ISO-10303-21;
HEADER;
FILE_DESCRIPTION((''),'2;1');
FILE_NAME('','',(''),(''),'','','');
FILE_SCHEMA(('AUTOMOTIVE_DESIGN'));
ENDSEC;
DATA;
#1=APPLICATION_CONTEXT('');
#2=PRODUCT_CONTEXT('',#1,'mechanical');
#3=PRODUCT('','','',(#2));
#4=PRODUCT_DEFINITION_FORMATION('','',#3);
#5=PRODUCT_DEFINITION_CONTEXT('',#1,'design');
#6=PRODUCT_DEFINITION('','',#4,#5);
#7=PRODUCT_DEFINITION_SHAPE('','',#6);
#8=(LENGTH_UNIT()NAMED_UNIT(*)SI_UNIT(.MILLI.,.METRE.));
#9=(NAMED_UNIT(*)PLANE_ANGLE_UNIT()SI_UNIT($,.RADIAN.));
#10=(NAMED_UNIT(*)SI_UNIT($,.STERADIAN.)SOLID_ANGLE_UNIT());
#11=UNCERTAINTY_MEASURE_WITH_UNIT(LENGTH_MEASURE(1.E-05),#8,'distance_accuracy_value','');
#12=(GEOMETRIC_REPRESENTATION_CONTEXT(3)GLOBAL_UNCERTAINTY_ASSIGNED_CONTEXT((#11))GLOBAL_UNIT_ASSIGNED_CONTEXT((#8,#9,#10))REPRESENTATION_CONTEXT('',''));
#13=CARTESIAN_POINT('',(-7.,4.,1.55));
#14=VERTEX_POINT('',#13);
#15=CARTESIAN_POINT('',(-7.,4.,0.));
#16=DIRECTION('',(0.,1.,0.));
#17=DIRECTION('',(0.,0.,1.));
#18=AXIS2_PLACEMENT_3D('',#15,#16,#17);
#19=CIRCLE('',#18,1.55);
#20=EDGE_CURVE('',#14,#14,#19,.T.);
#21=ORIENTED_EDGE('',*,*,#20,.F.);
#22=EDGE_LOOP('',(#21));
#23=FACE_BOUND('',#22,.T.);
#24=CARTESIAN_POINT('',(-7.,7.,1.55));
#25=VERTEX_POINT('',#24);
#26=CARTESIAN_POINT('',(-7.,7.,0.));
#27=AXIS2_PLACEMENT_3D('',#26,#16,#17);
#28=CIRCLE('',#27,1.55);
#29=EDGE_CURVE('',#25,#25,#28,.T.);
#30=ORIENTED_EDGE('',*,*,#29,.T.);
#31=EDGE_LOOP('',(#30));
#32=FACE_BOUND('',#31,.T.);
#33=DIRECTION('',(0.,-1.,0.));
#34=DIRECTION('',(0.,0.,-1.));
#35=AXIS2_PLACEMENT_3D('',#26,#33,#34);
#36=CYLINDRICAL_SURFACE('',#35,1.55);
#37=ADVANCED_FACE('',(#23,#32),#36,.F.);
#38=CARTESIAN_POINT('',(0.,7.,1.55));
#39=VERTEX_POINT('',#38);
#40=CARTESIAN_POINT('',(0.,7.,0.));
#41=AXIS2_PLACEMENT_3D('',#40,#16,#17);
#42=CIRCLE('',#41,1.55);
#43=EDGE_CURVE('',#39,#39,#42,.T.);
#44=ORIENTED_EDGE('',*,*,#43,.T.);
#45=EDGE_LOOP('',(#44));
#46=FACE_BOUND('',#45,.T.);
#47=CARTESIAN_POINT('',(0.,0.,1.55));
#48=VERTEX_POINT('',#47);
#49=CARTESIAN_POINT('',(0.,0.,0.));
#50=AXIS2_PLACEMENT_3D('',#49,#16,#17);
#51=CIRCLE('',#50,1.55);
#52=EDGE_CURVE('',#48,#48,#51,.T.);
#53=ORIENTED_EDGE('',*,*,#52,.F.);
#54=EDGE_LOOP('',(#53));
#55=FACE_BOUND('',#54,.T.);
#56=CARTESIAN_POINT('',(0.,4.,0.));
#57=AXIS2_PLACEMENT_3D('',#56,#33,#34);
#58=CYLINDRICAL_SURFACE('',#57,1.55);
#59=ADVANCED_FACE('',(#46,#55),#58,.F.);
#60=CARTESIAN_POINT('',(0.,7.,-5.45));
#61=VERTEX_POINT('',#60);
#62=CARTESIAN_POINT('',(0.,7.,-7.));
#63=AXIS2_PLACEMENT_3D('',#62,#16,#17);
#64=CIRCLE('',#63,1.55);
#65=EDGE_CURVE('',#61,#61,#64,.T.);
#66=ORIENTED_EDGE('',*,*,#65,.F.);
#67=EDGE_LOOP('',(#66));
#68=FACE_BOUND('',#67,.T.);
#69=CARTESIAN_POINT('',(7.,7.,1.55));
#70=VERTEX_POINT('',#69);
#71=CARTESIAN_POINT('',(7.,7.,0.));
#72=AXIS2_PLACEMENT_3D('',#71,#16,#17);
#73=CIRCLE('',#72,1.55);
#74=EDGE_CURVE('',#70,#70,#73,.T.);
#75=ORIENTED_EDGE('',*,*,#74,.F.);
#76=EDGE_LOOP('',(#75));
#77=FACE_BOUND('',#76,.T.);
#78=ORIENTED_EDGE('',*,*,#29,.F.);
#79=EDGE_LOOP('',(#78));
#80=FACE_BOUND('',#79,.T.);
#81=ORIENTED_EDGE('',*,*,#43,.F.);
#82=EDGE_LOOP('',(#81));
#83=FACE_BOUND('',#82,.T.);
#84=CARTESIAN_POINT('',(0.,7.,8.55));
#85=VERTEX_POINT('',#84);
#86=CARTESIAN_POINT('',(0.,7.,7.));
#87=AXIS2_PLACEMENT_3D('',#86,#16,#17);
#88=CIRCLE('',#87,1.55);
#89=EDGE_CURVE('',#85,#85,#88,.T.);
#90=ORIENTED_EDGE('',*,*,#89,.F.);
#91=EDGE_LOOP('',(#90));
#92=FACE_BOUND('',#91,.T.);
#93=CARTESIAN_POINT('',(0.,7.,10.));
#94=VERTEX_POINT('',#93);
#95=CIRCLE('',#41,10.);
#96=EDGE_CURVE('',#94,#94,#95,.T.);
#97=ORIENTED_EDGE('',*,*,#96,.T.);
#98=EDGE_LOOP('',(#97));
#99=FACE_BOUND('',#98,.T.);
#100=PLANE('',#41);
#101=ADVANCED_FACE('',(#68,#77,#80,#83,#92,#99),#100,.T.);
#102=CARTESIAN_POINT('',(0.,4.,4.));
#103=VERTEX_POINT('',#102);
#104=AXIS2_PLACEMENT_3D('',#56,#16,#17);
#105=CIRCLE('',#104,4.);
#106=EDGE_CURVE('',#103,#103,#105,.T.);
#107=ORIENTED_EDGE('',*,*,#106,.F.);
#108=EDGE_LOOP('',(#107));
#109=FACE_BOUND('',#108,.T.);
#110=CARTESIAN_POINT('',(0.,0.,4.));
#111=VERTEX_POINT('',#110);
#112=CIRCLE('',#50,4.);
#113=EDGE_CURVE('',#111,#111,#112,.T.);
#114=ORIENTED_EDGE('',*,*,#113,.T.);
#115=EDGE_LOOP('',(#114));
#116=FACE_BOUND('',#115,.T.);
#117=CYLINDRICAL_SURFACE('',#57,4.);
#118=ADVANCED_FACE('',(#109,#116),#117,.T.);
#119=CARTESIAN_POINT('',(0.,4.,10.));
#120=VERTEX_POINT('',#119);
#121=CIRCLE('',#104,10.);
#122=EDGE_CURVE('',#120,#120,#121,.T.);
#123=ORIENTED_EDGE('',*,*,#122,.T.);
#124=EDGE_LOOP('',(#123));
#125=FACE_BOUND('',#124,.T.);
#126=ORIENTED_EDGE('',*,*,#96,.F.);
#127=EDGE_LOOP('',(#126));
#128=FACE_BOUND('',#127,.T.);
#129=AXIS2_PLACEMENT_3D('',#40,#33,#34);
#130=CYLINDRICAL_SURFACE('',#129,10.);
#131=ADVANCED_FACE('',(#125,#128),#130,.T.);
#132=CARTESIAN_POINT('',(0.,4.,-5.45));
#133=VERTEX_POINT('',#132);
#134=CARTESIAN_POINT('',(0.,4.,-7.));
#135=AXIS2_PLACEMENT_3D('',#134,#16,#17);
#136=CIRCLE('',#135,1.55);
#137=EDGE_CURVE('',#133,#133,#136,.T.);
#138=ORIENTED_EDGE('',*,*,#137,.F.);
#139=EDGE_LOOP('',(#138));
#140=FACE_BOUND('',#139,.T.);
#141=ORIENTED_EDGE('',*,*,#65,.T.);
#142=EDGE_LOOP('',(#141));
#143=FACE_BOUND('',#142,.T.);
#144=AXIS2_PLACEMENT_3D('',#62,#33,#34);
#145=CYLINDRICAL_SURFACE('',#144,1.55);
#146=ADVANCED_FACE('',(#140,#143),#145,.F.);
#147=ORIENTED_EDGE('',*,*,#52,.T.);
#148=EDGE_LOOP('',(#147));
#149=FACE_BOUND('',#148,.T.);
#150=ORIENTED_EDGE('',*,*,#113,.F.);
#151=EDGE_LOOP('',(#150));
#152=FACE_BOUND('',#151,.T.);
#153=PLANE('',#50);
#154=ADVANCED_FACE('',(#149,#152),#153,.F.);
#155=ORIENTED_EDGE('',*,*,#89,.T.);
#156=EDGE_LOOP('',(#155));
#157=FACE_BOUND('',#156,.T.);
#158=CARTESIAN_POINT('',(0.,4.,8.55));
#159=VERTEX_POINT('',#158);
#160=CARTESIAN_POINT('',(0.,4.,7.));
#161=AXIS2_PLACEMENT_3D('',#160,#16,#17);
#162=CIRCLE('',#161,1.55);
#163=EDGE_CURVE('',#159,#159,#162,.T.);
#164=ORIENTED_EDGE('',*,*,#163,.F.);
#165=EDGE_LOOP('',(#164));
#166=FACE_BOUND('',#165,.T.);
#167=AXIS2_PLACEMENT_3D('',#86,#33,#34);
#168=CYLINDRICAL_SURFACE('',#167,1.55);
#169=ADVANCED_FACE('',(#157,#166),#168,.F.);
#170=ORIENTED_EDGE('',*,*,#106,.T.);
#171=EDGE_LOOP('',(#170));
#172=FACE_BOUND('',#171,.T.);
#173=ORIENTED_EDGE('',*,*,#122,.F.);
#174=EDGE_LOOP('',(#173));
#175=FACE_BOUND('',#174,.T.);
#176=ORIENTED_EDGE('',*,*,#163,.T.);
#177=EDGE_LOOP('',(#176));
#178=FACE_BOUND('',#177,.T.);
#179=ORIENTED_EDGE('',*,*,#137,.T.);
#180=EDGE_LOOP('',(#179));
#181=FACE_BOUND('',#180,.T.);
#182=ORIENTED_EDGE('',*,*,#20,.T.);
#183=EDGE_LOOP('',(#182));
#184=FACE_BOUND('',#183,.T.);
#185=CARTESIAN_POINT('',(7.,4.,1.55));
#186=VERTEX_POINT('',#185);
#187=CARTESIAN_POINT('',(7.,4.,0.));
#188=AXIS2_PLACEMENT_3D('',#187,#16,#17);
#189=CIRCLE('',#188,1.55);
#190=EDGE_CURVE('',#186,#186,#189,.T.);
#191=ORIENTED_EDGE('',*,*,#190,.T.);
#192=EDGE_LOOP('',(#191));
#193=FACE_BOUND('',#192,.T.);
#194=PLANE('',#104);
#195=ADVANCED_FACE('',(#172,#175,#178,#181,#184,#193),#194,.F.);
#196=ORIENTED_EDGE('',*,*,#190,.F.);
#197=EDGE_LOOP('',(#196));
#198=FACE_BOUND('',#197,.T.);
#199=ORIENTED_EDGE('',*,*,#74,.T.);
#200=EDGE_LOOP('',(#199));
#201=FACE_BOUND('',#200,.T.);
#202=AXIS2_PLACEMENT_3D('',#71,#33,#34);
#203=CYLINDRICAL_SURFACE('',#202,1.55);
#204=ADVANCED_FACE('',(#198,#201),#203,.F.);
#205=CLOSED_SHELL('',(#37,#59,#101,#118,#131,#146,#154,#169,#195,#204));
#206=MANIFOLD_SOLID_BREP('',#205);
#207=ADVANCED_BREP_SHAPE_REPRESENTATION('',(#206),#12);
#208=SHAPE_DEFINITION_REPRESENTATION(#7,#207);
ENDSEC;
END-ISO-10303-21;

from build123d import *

# Parameters (mm, degrees)
SKETCH_1_R      = 4
SKETCH_1_R_2    = 1.55
EXTRUDE_1_DEPTH = 4
SKETCH_2_R      = 10
SKETCH_2_R_2    = 1.55
EXTRUDE_2_DEPTH = 3


with BuildPart() as part:
    # 草图1 → 凸台-拉伸1 (new body)
    with BuildSketch(Plane(origin=(0, 0, 0), x_dir=(1, 0, 0), z_dir=(0, 1, 0))):
        with Locations(Location((0, 0, 0), (0, 0, 270))):
            Circle(SKETCH_1_R)
        with Locations(Location((0, 0, 0), (0, 0, 270))):
            Circle(SKETCH_1_R_2, mode=Mode.SUBTRACT)
    extrude(amount=EXTRUDE_1_DEPTH)

    # 草图2 → 凸台-拉伸2 (add)
    with BuildSketch(Plane(origin=(0, 4, 0), x_dir=(1, 0, 0), z_dir=(0, 1, 0))):
        with Locations(Location((0, 0, 0), (0, 0, 270))):
            Circle(SKETCH_2_R)
        with Locations(Location((0, 0, 0), (0, 0, 270))):
            Circle(SKETCH_2_R_2, mode=Mode.SUBTRACT)
        with Locations(Location((0, 7, 0), (0, 0, 270))):
            Circle(SKETCH_2_R_2, mode=Mode.SUBTRACT)
        with Locations(Location((7, 0, 0), (0, 0, 270))):
            Circle(SKETCH_2_R_2, mode=Mode.SUBTRACT)
        with Locations(Location((0, -7, 0), (0, 0, 270))):
            Circle(SKETCH_2_R_2, mode=Mode.SUBTRACT)
        with Locations(Location((-7, 0, 0), (0, 0, 270))):
            Circle(SKETCH_2_R_2, mode=Mode.SUBTRACT)
    extrude(amount=EXTRUDE_2_DEPTH)


solid = part.part
